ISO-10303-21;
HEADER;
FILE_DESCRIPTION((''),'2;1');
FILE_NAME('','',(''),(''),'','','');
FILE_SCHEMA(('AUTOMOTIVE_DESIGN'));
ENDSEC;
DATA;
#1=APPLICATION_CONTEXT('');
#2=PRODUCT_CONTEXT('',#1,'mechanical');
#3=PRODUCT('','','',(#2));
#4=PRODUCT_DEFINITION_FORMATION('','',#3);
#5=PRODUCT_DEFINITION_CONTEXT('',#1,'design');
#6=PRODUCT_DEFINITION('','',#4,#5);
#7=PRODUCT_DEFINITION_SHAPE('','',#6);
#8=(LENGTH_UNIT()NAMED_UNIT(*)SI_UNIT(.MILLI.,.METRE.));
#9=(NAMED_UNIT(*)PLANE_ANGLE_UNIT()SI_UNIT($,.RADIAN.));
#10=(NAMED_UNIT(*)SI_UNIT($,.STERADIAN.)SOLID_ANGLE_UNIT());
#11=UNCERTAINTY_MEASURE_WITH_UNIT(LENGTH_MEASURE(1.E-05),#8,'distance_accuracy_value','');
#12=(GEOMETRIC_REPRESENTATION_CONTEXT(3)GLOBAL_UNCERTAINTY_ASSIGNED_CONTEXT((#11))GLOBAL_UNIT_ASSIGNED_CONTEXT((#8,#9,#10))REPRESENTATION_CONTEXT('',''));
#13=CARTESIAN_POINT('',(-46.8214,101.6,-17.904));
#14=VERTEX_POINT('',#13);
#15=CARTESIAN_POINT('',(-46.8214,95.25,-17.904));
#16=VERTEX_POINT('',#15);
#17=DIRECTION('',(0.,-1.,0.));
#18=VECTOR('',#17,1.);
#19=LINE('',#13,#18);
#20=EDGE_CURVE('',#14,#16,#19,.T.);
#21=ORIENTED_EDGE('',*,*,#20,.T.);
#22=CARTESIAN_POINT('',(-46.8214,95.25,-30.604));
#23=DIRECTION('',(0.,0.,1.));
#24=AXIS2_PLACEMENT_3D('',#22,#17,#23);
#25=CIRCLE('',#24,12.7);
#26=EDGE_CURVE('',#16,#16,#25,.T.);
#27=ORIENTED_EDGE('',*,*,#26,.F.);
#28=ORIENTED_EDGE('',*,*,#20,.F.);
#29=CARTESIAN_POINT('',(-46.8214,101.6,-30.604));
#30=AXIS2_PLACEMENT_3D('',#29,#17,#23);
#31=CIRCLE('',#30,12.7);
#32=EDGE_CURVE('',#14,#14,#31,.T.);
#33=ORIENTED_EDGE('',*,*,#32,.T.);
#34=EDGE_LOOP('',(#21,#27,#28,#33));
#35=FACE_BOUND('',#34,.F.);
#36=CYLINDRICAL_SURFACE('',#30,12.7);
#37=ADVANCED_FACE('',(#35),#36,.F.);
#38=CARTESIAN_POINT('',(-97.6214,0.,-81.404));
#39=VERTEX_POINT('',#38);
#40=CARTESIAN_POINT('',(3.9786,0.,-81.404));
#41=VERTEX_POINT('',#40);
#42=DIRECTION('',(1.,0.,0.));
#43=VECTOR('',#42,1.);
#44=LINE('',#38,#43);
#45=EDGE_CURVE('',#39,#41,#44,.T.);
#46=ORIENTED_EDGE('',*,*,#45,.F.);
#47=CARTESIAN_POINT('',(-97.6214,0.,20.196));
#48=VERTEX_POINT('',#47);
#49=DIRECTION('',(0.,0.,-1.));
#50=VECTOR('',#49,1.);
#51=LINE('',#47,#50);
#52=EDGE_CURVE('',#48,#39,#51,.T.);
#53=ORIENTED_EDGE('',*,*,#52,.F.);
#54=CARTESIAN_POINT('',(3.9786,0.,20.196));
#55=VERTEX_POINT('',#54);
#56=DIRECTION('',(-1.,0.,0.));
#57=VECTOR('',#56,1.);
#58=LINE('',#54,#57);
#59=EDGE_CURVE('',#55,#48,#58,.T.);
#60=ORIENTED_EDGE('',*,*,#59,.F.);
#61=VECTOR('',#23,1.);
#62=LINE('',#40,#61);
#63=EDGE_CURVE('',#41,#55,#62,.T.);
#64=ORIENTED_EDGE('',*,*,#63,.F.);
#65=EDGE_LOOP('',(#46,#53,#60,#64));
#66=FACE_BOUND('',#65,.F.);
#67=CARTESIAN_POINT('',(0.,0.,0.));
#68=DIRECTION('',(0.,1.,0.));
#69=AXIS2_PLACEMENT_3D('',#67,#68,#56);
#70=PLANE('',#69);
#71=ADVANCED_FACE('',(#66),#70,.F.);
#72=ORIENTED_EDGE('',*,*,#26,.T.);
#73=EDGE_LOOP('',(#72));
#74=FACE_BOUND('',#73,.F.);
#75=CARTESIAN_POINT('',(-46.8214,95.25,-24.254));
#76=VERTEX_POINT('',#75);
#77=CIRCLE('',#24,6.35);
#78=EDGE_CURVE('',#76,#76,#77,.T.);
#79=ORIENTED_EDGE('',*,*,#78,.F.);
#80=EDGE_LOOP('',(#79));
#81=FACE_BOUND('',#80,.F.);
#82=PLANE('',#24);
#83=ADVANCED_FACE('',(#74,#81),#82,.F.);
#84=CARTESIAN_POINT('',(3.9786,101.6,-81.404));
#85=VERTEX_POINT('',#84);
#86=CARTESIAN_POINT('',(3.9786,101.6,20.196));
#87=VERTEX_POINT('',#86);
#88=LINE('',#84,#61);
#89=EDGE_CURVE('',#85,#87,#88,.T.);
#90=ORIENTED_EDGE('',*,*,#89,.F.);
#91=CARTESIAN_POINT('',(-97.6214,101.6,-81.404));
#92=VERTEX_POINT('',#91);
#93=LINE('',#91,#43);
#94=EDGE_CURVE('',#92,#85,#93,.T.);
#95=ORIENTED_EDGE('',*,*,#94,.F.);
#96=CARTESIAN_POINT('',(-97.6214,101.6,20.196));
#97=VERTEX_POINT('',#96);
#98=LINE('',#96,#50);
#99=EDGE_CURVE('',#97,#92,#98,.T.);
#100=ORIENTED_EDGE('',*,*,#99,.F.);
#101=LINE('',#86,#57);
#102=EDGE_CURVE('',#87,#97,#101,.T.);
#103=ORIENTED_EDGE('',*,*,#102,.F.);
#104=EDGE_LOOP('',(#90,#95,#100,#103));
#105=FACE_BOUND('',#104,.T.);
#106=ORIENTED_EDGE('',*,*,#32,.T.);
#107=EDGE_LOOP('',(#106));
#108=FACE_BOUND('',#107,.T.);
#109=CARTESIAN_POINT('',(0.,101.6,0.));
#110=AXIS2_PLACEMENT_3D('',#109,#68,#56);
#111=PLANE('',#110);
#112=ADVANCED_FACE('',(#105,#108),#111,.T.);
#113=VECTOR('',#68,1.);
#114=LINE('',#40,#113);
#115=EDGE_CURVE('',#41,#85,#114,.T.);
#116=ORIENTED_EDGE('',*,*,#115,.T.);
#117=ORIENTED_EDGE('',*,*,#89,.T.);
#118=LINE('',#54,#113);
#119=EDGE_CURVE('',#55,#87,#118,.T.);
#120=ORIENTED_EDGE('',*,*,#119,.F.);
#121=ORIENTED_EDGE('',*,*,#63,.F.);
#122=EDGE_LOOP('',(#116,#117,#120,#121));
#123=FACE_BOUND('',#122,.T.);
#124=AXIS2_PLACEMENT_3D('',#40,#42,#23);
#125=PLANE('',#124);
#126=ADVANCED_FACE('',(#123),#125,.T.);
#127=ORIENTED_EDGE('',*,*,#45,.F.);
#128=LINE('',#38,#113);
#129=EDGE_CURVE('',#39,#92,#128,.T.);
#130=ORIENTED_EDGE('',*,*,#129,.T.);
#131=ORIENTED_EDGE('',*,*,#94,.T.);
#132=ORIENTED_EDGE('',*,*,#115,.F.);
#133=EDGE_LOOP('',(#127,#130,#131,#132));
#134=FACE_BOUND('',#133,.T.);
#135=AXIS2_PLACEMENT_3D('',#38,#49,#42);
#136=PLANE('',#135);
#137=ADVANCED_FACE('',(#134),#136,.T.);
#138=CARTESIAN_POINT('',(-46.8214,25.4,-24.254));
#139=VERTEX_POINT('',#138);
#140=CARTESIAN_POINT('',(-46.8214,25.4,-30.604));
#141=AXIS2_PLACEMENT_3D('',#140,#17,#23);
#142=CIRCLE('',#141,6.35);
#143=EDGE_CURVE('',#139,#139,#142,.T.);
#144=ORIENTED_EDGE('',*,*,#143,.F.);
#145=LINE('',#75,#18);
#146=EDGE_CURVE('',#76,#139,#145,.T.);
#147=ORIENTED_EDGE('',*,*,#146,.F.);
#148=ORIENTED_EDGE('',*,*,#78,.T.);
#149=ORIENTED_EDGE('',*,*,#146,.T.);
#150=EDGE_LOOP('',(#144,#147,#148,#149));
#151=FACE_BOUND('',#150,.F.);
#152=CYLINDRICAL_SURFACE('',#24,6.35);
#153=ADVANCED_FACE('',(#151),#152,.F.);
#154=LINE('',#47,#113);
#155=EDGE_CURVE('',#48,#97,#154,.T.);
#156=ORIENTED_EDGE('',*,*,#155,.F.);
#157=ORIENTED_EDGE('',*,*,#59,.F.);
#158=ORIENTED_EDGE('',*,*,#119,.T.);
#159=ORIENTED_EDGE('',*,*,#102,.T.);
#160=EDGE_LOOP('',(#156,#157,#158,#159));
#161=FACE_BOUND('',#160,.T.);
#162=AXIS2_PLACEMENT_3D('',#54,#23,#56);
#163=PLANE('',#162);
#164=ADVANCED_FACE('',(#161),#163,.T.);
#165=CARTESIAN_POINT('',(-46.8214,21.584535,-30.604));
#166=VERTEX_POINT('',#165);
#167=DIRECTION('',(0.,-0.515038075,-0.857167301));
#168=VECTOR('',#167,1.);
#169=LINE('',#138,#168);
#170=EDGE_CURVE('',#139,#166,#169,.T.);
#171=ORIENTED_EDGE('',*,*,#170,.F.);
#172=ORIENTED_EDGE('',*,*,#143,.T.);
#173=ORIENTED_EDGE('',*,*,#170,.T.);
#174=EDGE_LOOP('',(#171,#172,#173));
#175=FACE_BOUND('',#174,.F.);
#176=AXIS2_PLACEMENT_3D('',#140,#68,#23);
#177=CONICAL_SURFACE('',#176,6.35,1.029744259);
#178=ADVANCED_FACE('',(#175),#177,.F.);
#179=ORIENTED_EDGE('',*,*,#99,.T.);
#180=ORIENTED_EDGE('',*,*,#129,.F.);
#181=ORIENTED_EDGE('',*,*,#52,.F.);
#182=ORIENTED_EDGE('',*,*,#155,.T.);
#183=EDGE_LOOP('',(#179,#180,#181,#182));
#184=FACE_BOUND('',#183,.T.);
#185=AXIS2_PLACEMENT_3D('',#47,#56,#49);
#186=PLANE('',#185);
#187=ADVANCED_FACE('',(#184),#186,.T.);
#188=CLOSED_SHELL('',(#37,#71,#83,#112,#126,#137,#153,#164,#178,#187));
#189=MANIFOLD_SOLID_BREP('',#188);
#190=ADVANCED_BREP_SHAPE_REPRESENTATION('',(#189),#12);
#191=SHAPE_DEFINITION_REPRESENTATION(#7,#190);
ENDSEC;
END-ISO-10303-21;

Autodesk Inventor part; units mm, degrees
ref_plane "YZ Plane" through (0, 0, 0) normal (1, 0, 0) x (0, 1, 0)
ref_plane "XZ Plane" through (0, 0, 0) normal (0, 1, 0) x (-1, 0, 0)
ref_plane "XY Plane" through (0, 0, 0) normal (0, 0, 1) x (1, 0, 0)
sketch "Sketch1" plane through (0, 0, 0) normal (0, 1, 0) x (-1, 0, 0)
  line L0 (-3.9786, 20.196) -> (97.6214, 20.196)
  line L1 (97.6214, 20.196) -> (97.6214, -81.404)
  line L2 (97.6214, -81.404) -> (-3.9786, -81.404)
  line L3 (-3.9786, -81.404) -> (-3.9786, 20.196)
  point P0 (0, 0)
  dimension "d0" = 101.6
  dimension "d1" = 101.6
extrude "Extrusion1" add sketch "Sketch1" along normal blind 101.6
sketch "Sketch2" plane through (0, 101.6, 0) normal (0, 1, 0) x (1, 0, 0)
  line L0 (3.9786, 81.404) -> (-97.6214, 81.404) projected
  line L1 (-97.6214, -20.196) -> (3.9786, -20.196) projected
  circle A0 centre (-46.8214, 30.604) radius 25.4
  point P0 (0, 0)
  dimension "d4" = 50.8
hole "Hole1" at (-46.8214, 101.6, -30.604) direction (0, -1, 0) diameter 12.7 depth 76.2 tip angle 118 counterbore diameter 25.4 counterbore depth 6.35
